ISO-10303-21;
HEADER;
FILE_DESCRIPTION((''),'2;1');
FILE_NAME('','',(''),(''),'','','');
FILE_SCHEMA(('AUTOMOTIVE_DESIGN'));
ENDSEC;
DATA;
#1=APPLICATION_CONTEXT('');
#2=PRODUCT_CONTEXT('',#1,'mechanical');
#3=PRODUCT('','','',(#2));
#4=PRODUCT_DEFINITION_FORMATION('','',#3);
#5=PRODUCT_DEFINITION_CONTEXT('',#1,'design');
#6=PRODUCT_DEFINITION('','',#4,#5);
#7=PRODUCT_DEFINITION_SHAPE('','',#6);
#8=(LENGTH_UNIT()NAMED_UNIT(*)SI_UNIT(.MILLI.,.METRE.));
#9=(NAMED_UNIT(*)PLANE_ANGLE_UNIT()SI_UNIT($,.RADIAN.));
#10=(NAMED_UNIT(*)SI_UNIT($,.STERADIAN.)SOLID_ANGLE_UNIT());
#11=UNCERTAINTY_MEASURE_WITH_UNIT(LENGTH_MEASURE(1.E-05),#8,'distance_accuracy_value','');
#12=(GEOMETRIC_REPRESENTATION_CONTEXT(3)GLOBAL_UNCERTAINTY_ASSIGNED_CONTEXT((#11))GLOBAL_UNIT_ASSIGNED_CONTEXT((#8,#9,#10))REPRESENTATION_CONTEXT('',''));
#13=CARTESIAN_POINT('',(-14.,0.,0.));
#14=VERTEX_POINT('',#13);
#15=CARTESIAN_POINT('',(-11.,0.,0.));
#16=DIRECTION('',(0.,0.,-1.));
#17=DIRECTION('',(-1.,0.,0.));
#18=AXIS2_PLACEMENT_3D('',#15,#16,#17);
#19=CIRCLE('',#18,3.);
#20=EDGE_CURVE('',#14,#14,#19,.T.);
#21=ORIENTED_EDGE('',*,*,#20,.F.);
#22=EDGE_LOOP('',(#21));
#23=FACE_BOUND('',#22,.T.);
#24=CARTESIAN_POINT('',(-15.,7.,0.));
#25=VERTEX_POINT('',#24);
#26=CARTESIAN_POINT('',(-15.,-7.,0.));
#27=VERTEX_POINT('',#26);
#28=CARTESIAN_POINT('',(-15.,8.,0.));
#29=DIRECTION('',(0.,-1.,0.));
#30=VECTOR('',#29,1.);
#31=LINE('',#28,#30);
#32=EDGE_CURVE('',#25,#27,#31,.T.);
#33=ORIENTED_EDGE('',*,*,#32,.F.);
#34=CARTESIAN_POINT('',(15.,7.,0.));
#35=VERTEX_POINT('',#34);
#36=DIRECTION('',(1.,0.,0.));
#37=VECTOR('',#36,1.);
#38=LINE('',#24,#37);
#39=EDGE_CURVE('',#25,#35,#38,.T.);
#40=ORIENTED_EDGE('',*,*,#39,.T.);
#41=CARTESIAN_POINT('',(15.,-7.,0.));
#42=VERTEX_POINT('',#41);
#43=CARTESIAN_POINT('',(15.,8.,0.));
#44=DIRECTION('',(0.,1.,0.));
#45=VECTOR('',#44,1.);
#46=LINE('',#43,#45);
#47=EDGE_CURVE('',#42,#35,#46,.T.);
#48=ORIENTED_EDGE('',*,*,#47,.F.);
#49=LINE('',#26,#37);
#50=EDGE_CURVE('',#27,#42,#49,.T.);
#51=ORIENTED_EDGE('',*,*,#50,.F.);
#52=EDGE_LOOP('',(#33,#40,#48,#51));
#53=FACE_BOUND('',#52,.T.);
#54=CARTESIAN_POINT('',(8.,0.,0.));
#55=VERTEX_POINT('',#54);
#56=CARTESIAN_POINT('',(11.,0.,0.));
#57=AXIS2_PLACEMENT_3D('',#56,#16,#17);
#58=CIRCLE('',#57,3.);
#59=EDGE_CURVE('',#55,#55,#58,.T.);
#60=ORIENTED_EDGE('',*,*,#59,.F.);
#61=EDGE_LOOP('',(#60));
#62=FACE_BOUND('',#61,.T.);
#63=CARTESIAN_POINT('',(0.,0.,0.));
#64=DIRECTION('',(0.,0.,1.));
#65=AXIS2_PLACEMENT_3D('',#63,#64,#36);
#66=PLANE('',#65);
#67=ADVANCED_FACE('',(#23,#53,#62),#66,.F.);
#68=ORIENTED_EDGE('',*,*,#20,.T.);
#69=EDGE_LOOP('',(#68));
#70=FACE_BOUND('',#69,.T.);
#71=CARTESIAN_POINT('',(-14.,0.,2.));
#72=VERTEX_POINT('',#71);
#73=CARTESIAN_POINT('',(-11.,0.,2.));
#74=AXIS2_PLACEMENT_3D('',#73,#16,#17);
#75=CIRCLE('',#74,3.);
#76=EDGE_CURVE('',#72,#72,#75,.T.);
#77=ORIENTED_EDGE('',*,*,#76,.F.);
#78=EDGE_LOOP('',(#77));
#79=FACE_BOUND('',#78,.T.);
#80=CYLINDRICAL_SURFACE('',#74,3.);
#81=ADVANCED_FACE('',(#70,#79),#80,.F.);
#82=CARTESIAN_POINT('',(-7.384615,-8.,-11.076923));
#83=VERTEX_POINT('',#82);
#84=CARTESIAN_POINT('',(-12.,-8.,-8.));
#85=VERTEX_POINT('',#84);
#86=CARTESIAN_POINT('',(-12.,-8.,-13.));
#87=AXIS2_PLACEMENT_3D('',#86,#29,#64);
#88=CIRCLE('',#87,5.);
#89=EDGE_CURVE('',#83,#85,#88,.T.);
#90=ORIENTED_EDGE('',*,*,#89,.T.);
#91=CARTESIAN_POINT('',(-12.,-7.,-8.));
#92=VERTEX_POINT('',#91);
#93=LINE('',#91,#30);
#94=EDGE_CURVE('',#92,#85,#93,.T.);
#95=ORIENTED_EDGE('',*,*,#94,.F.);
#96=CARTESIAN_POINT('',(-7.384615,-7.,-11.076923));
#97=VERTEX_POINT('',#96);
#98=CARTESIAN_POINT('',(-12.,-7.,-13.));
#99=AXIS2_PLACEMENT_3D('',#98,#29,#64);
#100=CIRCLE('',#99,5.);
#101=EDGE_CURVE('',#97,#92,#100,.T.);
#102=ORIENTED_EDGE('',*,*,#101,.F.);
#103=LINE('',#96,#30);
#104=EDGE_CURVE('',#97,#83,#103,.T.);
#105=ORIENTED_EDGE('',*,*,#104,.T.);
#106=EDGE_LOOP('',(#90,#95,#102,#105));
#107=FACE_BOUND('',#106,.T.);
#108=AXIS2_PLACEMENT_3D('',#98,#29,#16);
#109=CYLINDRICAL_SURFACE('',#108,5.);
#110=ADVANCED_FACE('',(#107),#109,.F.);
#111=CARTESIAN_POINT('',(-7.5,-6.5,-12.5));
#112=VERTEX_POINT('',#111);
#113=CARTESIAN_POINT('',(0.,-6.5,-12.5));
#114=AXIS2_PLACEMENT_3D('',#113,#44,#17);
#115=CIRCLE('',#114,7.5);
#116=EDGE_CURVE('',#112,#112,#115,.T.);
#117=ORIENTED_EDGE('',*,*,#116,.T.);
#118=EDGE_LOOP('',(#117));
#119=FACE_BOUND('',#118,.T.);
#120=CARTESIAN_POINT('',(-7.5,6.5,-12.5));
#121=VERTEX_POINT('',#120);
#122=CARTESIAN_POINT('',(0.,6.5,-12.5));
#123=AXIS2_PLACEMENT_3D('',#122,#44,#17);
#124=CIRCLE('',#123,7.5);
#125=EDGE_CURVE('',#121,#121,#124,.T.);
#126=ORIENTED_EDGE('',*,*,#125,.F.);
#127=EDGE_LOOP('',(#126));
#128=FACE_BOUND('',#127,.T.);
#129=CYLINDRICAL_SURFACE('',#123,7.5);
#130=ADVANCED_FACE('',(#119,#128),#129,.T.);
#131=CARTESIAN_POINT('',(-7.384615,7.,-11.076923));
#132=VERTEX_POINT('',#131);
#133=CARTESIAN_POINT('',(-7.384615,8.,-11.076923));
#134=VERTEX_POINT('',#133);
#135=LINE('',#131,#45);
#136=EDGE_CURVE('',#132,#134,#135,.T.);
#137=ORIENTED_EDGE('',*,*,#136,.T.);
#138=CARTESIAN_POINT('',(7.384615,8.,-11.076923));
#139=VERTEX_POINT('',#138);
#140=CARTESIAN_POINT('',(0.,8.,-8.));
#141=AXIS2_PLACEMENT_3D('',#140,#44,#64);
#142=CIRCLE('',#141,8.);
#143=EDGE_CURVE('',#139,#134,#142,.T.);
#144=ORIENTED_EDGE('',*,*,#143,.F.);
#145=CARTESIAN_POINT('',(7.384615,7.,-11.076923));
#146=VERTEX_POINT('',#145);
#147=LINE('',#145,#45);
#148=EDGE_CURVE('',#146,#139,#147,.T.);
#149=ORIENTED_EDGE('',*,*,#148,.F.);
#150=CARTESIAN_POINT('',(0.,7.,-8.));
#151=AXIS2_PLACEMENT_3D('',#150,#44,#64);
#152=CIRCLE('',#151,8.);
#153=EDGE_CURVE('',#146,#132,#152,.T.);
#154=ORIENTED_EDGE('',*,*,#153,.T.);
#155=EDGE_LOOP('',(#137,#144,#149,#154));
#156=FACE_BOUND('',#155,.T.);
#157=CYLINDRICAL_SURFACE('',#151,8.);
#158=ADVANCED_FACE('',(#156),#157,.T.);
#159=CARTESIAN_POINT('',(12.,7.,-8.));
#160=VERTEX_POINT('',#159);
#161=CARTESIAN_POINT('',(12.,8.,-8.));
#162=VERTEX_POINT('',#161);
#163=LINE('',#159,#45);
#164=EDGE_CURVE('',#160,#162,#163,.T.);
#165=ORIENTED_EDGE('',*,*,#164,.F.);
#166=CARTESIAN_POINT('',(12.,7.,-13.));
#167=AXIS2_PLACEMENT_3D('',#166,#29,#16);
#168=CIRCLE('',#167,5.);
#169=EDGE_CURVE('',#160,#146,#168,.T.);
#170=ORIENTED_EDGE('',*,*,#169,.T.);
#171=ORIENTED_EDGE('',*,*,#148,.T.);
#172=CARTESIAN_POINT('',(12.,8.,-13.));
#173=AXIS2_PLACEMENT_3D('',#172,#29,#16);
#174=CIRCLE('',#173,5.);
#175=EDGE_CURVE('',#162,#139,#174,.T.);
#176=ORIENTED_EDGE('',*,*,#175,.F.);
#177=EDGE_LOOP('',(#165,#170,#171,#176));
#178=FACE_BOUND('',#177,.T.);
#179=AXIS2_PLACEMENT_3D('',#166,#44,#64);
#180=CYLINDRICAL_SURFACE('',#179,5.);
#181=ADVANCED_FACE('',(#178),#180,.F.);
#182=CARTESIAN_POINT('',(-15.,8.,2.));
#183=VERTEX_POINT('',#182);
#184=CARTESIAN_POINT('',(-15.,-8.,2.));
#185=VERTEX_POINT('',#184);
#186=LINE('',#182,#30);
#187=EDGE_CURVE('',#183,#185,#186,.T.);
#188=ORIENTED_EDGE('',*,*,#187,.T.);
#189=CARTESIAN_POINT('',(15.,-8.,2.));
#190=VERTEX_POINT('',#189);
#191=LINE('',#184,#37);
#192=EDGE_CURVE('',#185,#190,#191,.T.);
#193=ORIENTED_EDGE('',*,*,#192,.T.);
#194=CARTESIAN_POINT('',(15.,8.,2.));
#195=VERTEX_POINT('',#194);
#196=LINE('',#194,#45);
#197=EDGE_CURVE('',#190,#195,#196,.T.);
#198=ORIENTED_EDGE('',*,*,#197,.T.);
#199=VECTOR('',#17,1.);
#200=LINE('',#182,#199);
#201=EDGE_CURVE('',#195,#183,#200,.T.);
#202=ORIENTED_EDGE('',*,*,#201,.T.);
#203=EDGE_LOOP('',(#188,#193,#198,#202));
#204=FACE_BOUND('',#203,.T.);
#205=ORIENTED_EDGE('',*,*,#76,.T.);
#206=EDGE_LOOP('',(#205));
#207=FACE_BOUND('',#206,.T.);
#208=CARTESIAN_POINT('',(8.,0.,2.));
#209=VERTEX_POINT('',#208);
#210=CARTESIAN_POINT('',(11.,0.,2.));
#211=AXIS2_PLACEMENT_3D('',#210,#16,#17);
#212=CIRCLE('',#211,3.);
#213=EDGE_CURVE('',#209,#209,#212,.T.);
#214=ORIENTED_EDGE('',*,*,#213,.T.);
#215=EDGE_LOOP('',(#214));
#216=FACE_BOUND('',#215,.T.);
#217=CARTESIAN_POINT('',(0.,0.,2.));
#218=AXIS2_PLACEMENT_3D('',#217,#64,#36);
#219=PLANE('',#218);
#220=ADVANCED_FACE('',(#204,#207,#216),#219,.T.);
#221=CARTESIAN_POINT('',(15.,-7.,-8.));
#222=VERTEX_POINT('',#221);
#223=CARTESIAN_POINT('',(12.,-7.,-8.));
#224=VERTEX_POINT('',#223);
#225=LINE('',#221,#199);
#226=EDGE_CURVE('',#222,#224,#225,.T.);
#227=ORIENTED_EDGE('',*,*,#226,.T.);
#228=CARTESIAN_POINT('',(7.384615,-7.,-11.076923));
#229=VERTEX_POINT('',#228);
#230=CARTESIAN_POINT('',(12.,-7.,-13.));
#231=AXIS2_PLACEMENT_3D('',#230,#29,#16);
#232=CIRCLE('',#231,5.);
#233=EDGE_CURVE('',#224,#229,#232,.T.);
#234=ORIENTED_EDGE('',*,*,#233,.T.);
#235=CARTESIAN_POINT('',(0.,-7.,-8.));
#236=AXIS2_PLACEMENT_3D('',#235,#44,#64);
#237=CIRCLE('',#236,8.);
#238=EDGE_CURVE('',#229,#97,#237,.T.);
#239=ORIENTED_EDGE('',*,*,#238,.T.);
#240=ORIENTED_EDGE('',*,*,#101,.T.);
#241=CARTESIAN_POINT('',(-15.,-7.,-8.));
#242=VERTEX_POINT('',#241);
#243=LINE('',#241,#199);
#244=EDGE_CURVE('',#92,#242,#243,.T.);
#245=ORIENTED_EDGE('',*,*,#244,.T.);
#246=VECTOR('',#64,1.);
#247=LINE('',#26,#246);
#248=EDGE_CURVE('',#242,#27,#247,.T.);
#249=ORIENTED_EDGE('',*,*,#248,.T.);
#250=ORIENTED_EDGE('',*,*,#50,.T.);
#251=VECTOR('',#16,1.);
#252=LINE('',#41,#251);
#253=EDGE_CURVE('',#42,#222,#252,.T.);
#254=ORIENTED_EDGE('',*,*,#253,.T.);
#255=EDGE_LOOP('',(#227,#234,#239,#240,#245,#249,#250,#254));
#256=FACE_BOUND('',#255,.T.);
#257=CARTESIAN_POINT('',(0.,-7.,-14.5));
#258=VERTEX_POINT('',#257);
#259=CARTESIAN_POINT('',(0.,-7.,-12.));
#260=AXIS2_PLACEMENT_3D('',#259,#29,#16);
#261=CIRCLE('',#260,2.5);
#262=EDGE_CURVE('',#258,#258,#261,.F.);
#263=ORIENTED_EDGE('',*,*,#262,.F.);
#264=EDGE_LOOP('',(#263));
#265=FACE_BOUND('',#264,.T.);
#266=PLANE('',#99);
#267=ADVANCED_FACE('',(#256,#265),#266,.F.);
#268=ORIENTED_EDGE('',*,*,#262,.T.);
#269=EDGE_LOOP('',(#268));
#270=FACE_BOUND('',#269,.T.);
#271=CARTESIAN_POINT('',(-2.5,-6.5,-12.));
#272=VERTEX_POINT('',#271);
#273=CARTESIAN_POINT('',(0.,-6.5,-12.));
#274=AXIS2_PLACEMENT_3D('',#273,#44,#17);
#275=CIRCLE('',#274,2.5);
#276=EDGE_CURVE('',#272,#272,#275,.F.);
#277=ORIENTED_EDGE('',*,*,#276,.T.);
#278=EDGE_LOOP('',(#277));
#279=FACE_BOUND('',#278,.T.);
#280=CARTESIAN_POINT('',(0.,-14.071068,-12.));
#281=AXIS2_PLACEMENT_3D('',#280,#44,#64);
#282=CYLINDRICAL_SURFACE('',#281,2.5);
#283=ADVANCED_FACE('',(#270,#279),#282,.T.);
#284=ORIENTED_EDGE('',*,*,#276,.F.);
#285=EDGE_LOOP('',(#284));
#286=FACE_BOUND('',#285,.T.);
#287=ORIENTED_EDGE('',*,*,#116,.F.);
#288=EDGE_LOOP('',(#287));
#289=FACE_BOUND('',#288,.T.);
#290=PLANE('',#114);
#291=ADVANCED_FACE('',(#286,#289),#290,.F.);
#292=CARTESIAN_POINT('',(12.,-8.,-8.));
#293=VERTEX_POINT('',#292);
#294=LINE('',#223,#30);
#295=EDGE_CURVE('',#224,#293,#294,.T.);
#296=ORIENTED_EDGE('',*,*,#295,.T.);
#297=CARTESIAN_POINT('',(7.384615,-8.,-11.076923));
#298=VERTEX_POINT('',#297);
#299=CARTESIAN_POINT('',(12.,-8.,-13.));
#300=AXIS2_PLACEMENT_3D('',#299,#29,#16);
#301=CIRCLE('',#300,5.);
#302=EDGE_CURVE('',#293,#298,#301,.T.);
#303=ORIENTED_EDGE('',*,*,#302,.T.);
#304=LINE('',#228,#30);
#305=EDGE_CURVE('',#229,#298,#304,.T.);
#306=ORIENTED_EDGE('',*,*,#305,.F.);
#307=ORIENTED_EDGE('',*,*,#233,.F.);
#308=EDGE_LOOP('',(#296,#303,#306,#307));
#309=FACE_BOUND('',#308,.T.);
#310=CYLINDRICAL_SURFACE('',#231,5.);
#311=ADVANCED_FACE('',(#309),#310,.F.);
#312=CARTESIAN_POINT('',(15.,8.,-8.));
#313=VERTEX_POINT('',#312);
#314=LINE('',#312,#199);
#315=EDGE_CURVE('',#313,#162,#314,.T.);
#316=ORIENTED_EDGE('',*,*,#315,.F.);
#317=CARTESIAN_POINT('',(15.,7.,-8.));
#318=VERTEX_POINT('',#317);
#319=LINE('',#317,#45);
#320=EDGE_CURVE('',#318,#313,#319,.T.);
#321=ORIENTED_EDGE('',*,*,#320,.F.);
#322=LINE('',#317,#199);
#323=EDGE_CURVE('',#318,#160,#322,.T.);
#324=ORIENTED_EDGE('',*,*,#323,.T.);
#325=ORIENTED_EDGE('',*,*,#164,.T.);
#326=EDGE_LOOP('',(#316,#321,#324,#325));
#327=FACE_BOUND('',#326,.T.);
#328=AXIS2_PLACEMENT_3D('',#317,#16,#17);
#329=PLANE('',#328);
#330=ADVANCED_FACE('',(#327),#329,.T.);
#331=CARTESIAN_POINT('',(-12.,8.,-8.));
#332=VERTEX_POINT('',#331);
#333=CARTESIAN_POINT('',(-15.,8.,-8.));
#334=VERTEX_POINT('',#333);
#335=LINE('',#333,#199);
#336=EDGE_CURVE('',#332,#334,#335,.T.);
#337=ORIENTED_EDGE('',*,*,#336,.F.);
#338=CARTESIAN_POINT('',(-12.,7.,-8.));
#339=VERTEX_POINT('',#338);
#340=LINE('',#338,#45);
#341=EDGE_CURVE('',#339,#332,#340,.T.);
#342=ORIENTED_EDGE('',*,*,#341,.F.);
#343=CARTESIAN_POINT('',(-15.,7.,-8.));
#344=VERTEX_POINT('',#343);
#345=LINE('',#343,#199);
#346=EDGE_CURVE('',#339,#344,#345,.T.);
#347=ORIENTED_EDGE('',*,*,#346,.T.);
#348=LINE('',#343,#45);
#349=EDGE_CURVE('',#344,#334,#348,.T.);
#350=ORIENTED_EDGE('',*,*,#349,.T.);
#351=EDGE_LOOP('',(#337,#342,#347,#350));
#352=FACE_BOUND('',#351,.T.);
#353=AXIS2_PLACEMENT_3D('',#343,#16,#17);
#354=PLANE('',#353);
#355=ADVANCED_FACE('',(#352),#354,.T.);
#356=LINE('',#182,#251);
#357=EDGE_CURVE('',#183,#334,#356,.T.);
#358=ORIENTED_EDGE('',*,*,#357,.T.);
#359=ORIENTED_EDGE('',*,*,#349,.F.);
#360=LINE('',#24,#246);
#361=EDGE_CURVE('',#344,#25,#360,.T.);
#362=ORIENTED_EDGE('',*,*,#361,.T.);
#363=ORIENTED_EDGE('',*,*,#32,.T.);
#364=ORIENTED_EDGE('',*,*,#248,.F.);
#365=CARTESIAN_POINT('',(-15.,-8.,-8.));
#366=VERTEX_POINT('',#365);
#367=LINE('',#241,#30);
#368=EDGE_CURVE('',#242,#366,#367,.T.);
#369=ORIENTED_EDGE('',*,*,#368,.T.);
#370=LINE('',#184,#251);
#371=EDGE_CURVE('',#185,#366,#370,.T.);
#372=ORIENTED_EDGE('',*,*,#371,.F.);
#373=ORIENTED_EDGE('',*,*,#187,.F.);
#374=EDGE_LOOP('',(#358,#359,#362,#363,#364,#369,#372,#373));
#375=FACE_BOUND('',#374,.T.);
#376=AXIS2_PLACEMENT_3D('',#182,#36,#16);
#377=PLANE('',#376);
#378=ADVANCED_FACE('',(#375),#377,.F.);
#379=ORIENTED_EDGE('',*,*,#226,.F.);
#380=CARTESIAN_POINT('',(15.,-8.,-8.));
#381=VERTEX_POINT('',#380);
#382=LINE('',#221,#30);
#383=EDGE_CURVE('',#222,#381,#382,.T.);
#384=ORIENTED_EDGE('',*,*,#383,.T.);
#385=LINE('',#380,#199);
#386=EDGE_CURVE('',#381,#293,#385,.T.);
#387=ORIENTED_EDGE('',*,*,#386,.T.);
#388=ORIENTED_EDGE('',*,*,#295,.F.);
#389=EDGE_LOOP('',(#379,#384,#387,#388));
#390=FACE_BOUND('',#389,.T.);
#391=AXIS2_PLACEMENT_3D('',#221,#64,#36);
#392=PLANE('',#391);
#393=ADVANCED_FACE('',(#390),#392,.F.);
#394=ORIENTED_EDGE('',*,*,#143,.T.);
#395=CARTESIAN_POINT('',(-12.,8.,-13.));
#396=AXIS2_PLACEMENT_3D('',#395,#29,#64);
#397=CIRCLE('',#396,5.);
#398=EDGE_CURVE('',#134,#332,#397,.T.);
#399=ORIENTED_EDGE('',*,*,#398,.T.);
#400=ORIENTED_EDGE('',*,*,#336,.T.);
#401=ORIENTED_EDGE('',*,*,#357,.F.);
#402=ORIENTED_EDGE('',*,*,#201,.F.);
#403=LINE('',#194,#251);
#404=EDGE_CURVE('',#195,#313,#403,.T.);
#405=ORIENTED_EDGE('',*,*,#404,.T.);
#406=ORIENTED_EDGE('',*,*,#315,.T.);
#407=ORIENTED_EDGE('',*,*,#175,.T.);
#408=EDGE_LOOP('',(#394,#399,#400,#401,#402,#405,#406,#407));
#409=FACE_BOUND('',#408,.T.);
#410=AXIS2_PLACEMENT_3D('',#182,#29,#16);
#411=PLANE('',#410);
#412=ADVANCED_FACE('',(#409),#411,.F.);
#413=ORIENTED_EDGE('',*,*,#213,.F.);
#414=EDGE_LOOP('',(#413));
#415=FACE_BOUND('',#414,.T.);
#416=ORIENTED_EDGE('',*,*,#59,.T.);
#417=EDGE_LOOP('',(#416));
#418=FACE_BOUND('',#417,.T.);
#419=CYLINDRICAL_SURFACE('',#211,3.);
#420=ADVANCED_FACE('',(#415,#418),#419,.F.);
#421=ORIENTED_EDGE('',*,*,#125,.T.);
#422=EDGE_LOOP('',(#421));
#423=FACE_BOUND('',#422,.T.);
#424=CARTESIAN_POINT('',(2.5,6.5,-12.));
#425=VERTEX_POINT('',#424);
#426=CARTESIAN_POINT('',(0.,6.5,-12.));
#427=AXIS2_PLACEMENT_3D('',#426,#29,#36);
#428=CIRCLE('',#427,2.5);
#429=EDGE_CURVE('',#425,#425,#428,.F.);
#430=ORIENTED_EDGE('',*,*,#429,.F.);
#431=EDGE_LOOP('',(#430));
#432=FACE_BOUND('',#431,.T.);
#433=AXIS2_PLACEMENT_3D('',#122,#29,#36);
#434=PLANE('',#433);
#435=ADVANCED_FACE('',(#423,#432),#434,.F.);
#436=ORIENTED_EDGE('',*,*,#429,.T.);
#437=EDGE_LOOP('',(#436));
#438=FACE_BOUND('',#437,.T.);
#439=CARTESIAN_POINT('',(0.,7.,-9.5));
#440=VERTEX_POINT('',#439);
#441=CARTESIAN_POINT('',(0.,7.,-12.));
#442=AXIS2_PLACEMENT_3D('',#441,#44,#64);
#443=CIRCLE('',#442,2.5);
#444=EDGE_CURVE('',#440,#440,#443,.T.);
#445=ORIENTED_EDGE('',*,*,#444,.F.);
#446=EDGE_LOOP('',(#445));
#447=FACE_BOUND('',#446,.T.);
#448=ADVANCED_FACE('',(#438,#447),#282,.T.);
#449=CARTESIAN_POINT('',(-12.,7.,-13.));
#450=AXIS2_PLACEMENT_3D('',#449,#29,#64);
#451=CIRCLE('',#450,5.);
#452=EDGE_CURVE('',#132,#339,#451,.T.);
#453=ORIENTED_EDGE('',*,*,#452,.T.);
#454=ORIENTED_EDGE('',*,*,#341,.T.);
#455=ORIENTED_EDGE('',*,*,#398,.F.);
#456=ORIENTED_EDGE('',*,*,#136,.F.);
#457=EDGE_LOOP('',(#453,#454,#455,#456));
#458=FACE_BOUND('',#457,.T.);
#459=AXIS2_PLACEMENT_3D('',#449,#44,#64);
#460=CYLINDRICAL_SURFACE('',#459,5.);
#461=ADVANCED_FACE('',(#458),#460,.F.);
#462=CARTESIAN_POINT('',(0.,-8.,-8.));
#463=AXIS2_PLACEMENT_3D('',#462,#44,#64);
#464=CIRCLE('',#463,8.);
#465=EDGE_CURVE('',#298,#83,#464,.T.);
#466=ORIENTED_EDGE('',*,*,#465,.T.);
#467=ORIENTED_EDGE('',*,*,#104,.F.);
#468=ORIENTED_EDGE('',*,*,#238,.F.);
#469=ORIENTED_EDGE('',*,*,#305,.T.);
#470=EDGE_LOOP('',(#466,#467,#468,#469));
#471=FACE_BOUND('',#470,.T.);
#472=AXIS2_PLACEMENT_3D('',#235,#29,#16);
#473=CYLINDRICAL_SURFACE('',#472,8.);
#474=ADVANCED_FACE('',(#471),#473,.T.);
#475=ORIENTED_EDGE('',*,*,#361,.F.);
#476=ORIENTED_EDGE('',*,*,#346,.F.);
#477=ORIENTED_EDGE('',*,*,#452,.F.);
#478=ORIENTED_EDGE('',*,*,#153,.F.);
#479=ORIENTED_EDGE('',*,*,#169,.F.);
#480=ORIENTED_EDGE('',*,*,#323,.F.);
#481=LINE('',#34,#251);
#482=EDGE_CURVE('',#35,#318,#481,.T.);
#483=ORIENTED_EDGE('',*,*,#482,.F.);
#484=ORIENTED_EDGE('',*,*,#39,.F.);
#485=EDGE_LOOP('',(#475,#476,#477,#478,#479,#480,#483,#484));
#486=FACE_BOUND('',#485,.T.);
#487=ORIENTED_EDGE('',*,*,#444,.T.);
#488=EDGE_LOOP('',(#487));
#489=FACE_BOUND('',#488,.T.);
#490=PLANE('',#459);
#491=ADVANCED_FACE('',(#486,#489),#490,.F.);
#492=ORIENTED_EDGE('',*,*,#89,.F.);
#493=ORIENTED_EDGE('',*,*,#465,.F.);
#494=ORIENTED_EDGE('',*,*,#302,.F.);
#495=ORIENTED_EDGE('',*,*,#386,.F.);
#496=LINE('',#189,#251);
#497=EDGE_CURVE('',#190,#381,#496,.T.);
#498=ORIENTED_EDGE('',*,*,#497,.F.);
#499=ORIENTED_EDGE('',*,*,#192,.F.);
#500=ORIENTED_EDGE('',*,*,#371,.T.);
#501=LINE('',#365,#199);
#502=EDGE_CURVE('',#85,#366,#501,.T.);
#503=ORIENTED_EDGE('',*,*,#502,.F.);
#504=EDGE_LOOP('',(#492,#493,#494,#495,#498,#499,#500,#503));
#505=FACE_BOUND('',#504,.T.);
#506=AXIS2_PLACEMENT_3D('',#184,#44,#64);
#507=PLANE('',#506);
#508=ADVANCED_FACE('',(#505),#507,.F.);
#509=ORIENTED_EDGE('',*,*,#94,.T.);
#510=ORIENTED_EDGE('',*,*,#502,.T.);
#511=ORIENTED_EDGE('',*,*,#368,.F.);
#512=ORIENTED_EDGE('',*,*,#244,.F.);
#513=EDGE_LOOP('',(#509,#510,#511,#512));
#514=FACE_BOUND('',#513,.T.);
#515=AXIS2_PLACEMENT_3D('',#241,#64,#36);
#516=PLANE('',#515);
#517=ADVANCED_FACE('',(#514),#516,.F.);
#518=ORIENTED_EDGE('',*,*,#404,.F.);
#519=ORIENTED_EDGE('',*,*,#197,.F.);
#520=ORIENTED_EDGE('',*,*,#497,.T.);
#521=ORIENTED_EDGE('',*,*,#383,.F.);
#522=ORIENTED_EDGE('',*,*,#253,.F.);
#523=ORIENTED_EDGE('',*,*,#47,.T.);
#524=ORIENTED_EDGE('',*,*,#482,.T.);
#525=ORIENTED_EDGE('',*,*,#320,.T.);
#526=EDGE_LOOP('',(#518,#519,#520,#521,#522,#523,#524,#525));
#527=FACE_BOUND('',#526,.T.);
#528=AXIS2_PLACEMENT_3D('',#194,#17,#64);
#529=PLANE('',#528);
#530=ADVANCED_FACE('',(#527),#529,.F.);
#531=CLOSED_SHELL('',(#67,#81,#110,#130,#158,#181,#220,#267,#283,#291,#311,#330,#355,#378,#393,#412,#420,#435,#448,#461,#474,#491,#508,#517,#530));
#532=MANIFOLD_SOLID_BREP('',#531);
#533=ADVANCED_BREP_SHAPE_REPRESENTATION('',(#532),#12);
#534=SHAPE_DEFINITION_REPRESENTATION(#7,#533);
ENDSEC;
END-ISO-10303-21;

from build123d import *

# Parameters (mm, degrees)
SKETCH_1_W          = 30
SKETCH_1_H          = 16
EXTRUDE_1_DEPTH     = 2
EXTRUDE_2_DEPTH     = 1
SKETCH_3_R          = 2.5
EXTRUDE_3_DEPTH     = 15
SKETCH_4_W          = 7.5
SKETCH_4_H          = 13
SKETCH_5_R          = 3
CUT_EXTRUDE_1_DEPTH = 27.248809497


with BuildPart() as part:
    # 草圖1 → 填料-伸長1 (new body)
    with BuildSketch(Plane.XY):
        Rectangle(SKETCH_1_W, SKETCH_1_H)
    extrude(amount=EXTRUDE_1_DEPTH)

    # 草圖2 → 填料-伸長2 (add)
    with BuildSketch(Plane(origin=(0, 8, 0), x_dir=(1, 0, 0), z_dir=(0, 1, 0))):
        with BuildLine():
            Line((-15, 0), (15, 0))
            Line((15, 0), (15, 8))
            Line((15, 8), (12, 8))
            ThreePointArc((12, 8), (9.226499019, 8.839748528), (7.384615385, 11.076923077))
            ThreePointArc((7.384615385, 11.076923077), (0, 16), (-7.384615385, 11.076923077))
            ThreePointArc((-7.384615385, 11.076923077), (-9.226499019, 8.839748528), (-12, 8))
            Line((-12, 8), (-15, 8))
            Line((-15, 8), (-15, 0))
        make_face()
    extrude_2 = extrude(amount=-EXTRUDE_2_DEPTH)

    # 鏡射1: 填料-伸長2 across plane
    add(extrude_2.mirror(Plane.ZX))

    # 草圖3 → 填料-伸長3 (add)
    with BuildSketch(Plane(origin=(0, 8, 0), x_dir=(1, 0, 0), z_dir=(0, 1, 0))):
        with Locations(Location((0, 12, 0), (0, 0, 270))):
            Circle(SKETCH_3_R)
    extrude(amount=-EXTRUDE_3_DEPTH)

    # 草圖4 → 旋轉1 (revolve)
    with BuildSketch(Plane(origin=(0, 0, -12.5), x_dir=(-1, 0, 0), z_dir=(0, 0, -1))):
        with Locations((3.75, 0)):
            Rectangle(SKETCH_4_W, SKETCH_4_H)
    revolve(axis=Axis((0, 6.5, -12.5), (0, -1, 0)))

    # 草圖5 → 除料-伸長1 (cut, through all)
    with BuildSketch(Plane(origin=(0, 0, 0), x_dir=(-1, 0, 0), z_dir=(0, 0, -1))):
        with Locations((-11, 0)):
            Circle(SKETCH_5_R)
        with Locations((11, 0)):
            Circle(SKETCH_5_R)
    extrude(amount=-CUT_EXTRUDE_1_DEPTH, mode=Mode.SUBTRACT)


solid = part.part
